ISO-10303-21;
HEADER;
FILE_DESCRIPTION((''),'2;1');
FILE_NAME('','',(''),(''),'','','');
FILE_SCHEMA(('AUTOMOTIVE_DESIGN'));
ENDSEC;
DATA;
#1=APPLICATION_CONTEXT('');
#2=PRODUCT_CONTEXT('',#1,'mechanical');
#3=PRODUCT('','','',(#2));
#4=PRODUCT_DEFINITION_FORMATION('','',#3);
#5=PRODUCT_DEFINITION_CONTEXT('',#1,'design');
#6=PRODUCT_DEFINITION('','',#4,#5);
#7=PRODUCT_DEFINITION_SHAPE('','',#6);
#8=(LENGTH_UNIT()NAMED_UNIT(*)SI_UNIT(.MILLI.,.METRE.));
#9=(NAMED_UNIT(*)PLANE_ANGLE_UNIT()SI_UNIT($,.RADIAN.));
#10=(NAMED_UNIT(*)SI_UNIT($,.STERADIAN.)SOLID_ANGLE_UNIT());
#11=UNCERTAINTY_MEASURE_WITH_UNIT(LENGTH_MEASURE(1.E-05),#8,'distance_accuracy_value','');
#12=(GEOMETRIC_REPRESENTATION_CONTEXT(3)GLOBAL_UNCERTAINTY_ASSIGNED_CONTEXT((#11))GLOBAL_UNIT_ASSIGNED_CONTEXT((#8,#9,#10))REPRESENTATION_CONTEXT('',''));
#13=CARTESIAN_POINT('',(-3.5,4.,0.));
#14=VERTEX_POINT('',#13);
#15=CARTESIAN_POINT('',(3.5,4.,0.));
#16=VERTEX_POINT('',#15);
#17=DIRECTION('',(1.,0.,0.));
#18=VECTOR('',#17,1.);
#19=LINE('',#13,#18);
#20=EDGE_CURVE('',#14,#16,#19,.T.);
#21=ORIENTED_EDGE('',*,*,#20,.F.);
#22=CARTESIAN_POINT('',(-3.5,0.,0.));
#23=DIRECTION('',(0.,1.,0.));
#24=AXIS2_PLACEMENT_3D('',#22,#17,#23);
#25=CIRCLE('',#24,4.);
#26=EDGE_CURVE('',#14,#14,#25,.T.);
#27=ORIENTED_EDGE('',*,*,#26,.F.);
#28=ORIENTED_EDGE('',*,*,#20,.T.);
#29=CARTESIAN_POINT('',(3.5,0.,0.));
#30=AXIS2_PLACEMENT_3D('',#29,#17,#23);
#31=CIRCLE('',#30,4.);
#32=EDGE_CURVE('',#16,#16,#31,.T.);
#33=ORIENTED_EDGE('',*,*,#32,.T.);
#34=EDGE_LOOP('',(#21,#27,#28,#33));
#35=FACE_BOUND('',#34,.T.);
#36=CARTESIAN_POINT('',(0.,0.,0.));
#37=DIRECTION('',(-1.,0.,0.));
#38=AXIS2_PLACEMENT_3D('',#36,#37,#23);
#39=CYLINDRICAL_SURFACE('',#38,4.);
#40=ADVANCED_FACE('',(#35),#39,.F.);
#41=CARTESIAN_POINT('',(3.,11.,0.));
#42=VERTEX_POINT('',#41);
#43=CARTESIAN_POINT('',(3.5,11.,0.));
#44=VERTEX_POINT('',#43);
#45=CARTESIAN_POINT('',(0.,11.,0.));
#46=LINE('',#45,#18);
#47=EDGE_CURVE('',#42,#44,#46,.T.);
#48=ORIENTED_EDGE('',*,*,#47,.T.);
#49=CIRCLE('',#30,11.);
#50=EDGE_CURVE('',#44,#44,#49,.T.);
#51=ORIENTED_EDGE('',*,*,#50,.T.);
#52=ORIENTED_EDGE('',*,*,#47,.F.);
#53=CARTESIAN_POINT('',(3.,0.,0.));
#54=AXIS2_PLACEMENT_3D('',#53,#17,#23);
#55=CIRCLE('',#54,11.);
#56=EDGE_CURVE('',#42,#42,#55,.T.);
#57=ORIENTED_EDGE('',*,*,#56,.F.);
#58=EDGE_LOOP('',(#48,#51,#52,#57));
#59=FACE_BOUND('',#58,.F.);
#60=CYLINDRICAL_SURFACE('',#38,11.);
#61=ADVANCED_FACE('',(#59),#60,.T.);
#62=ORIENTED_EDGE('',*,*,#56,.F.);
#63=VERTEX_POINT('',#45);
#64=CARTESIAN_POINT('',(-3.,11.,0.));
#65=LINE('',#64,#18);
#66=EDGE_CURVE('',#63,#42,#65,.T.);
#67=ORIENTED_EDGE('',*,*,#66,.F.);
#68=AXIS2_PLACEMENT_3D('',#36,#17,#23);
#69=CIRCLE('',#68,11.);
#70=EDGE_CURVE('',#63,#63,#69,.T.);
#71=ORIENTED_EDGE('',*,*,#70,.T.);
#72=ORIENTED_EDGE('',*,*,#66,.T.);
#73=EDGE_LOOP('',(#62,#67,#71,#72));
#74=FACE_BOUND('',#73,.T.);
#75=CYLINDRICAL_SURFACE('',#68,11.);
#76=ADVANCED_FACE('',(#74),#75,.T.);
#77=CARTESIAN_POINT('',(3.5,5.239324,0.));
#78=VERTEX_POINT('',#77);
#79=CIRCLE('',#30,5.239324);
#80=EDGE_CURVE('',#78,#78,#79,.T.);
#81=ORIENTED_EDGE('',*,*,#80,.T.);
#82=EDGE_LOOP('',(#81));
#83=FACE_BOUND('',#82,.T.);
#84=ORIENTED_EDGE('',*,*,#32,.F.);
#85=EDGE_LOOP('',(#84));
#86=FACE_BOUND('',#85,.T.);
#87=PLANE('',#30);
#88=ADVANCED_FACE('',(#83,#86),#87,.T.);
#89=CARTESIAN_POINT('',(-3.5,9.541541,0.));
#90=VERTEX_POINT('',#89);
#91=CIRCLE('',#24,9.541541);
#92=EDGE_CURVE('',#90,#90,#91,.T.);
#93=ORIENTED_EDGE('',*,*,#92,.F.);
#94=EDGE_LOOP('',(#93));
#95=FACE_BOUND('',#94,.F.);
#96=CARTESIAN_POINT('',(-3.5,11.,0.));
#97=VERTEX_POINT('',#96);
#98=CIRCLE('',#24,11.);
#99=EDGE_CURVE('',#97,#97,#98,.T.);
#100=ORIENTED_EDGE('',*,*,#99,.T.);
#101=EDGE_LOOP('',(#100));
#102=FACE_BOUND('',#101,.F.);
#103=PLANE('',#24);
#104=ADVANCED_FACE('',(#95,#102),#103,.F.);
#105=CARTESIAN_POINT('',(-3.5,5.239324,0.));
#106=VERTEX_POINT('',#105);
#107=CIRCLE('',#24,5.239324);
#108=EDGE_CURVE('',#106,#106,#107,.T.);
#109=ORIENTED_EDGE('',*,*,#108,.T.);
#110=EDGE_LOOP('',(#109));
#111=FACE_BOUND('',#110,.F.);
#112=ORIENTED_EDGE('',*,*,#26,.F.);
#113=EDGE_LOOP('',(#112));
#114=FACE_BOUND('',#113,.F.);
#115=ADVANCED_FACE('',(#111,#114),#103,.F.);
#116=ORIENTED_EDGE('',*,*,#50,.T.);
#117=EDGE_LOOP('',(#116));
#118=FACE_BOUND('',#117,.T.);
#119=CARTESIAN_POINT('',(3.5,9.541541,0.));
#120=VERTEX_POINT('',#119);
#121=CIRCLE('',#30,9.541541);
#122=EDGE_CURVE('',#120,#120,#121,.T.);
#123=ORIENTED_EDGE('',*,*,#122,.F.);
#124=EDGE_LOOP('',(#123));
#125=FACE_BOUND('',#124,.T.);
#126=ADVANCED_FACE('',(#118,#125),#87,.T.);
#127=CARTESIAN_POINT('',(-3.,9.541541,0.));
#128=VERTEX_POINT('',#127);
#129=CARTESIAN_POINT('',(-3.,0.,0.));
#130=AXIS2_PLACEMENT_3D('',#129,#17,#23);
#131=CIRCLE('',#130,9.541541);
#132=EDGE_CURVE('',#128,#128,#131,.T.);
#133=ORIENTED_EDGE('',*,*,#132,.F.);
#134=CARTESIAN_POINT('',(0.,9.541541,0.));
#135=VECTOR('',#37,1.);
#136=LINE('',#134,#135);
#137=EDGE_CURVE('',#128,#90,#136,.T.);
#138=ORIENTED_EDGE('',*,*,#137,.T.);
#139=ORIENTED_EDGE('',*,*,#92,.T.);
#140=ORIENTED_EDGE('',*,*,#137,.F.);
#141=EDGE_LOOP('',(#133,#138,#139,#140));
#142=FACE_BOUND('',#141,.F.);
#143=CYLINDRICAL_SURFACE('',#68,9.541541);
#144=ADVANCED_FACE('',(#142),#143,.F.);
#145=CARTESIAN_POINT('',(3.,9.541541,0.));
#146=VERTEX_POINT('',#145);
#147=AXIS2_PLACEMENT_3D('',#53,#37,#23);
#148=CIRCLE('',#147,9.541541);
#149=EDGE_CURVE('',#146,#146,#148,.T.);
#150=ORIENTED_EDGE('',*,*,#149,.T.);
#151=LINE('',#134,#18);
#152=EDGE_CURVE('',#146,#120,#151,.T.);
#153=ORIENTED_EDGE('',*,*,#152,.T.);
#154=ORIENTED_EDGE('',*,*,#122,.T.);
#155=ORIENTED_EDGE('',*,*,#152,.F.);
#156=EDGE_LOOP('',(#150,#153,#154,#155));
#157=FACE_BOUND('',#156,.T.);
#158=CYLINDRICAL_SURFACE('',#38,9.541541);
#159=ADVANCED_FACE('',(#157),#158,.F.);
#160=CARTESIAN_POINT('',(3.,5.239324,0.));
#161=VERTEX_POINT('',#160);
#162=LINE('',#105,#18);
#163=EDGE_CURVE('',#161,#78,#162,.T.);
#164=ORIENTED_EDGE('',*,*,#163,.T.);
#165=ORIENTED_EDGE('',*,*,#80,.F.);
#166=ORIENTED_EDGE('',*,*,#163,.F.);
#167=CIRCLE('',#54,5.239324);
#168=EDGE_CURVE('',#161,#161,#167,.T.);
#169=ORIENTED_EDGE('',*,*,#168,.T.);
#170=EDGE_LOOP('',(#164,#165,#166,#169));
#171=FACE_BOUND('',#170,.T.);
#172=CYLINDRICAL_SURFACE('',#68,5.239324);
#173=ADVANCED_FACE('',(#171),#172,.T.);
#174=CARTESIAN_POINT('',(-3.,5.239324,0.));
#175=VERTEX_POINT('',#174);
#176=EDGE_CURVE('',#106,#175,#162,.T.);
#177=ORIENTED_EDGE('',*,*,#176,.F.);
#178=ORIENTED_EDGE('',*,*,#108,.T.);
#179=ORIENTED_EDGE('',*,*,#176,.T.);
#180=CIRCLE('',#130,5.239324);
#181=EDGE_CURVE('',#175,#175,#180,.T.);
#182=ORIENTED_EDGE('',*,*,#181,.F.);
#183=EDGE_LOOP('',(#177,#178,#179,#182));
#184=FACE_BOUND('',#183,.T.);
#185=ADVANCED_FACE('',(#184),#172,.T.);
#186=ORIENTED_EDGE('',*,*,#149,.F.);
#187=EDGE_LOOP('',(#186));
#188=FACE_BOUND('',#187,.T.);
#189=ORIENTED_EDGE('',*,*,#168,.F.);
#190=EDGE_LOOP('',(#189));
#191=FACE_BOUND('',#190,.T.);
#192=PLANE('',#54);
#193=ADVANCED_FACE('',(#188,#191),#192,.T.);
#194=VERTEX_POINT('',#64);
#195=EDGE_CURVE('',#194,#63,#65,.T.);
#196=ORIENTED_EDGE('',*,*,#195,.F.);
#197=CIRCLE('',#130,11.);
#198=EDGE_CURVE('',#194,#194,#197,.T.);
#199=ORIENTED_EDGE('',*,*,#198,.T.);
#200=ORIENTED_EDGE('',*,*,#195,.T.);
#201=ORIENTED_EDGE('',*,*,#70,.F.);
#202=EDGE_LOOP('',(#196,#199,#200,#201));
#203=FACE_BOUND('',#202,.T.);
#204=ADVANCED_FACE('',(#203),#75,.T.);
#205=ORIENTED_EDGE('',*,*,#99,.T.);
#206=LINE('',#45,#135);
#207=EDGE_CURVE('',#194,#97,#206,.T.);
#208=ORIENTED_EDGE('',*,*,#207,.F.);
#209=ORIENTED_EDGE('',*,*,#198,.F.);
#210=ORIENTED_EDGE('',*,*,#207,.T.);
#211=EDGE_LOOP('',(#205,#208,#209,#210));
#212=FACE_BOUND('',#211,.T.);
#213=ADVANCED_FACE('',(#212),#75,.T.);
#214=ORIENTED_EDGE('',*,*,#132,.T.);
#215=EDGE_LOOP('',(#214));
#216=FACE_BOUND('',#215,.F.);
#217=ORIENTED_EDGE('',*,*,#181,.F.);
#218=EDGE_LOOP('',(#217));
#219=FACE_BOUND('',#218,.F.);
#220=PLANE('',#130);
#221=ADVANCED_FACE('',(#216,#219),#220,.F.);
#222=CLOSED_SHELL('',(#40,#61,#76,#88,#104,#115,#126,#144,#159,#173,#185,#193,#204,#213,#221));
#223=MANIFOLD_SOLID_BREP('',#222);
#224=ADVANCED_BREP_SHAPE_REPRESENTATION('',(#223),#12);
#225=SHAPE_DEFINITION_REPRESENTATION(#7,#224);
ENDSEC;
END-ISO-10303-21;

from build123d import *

# Parameters (mm, degrees)
F0_R     = 11
F0_R_2   = 4
F1_DEPTH = 3
F2_R     = 11
F2_R_2   = 9.5415407764
F2_R_3   = 5.2393235044
F2_R_4   = 4
F3_DEPTH = 3.5


with BuildPart() as f1:
    # F0 (on Right) → F1 (new body, symmetric)
    with BuildSketch(Plane.YZ):
        Circle(F0_R)
        Circle(F0_R_2, mode=Mode.SUBTRACT)
    extrude(amount=F1_DEPTH, both=True)

    # F2 (on Right) → F3 (join, symmetric)
    with BuildSketch(Plane.YZ):
        Circle(F2_R)
        Circle(F2_R_2, mode=Mode.SUBTRACT)
        Circle(F2_R_3)
        Circle(F2_R_4, mode=Mode.SUBTRACT)
    extrude(amount=F3_DEPTH, both=True)


solid = f1.part
